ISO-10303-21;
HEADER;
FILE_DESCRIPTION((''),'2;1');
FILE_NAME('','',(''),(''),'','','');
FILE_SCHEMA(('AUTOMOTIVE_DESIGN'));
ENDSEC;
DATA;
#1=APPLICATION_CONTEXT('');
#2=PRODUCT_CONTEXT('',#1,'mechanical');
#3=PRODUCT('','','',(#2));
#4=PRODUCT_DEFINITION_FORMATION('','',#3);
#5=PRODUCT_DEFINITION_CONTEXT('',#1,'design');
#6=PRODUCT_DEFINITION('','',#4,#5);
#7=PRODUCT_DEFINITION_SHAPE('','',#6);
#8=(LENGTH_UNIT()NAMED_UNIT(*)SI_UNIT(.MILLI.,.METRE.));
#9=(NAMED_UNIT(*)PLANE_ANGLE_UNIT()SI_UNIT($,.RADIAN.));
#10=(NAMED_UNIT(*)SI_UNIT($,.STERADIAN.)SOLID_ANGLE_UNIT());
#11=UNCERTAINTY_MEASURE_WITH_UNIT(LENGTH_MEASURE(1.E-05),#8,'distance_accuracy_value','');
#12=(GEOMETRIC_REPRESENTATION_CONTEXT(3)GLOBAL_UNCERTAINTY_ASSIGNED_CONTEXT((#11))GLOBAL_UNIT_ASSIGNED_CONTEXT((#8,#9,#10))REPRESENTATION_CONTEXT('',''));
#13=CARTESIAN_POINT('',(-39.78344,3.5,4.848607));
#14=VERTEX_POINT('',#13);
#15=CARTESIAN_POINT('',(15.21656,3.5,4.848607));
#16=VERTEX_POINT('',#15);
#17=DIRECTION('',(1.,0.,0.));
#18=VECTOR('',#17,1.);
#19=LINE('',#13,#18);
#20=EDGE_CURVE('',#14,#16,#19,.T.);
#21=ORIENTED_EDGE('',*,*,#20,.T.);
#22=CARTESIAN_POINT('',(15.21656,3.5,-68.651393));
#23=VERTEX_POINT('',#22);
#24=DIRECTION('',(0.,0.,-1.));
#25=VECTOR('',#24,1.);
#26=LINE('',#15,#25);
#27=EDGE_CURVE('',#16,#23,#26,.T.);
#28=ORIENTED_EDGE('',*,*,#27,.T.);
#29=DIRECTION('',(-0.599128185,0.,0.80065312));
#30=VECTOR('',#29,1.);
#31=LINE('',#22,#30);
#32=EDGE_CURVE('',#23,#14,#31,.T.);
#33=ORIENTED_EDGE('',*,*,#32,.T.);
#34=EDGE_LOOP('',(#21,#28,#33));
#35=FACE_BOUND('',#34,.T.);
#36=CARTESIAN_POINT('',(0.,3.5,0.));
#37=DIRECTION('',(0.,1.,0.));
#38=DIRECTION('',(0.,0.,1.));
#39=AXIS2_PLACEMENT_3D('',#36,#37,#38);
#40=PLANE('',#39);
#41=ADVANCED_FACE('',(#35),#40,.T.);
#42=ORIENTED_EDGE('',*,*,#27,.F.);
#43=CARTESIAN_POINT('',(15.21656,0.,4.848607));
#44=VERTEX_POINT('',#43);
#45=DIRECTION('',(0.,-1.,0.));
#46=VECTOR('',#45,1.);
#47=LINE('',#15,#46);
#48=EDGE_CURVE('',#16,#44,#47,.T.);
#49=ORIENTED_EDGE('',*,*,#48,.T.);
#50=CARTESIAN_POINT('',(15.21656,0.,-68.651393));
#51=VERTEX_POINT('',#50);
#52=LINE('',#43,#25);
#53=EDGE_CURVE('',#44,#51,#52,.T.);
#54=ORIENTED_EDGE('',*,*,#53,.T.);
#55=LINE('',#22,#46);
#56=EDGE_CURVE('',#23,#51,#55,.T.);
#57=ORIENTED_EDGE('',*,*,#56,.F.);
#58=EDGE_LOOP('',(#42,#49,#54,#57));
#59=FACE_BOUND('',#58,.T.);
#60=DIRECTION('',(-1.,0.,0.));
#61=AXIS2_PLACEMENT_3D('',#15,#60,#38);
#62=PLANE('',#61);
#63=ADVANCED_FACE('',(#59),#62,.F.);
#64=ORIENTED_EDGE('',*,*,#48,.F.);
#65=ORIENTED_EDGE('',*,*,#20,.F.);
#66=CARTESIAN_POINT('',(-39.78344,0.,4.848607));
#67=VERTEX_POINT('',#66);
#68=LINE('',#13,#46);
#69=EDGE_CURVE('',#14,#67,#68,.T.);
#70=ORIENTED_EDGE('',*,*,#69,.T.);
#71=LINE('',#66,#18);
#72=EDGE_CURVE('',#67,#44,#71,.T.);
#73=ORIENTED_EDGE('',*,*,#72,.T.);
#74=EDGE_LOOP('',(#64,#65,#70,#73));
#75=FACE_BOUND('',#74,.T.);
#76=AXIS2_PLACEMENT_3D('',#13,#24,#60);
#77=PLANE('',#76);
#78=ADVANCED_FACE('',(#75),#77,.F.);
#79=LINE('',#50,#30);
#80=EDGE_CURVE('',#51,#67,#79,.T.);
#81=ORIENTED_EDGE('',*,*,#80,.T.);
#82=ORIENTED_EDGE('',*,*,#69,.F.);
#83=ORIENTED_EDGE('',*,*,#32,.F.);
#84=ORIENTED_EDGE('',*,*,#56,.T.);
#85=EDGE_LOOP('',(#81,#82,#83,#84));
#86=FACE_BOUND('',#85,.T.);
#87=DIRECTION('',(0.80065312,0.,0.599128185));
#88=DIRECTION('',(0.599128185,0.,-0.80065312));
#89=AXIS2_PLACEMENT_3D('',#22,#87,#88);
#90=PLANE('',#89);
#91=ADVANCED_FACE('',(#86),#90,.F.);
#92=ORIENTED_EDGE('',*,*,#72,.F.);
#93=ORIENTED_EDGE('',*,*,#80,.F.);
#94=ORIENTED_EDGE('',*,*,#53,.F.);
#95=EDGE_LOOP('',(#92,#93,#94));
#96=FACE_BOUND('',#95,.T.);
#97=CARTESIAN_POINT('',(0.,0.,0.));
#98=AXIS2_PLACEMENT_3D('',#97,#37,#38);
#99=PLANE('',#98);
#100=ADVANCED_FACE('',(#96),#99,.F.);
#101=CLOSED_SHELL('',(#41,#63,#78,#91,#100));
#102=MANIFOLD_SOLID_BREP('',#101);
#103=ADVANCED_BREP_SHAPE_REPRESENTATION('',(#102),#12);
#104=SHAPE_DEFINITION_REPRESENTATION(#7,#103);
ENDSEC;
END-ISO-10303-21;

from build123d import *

# Parameters (mm, degrees)
BOSS_EXTRUDE1_DEPTH = 3.5


with BuildPart() as part:
    # Sketch2 → Boss-Extrude1 (new body)
    with BuildSketch(Plane(origin=(0, 0, 0), x_dir=(1, 0, 0), z_dir=(0, 1, 0))):
        Polygon((-39.783440186, -4.848606773), (15.216559814, -4.848606773), (15.216559814, 68.651393227), align=None)
    extrude(amount=BOSS_EXTRUDE1_DEPTH)


solid = part.part
